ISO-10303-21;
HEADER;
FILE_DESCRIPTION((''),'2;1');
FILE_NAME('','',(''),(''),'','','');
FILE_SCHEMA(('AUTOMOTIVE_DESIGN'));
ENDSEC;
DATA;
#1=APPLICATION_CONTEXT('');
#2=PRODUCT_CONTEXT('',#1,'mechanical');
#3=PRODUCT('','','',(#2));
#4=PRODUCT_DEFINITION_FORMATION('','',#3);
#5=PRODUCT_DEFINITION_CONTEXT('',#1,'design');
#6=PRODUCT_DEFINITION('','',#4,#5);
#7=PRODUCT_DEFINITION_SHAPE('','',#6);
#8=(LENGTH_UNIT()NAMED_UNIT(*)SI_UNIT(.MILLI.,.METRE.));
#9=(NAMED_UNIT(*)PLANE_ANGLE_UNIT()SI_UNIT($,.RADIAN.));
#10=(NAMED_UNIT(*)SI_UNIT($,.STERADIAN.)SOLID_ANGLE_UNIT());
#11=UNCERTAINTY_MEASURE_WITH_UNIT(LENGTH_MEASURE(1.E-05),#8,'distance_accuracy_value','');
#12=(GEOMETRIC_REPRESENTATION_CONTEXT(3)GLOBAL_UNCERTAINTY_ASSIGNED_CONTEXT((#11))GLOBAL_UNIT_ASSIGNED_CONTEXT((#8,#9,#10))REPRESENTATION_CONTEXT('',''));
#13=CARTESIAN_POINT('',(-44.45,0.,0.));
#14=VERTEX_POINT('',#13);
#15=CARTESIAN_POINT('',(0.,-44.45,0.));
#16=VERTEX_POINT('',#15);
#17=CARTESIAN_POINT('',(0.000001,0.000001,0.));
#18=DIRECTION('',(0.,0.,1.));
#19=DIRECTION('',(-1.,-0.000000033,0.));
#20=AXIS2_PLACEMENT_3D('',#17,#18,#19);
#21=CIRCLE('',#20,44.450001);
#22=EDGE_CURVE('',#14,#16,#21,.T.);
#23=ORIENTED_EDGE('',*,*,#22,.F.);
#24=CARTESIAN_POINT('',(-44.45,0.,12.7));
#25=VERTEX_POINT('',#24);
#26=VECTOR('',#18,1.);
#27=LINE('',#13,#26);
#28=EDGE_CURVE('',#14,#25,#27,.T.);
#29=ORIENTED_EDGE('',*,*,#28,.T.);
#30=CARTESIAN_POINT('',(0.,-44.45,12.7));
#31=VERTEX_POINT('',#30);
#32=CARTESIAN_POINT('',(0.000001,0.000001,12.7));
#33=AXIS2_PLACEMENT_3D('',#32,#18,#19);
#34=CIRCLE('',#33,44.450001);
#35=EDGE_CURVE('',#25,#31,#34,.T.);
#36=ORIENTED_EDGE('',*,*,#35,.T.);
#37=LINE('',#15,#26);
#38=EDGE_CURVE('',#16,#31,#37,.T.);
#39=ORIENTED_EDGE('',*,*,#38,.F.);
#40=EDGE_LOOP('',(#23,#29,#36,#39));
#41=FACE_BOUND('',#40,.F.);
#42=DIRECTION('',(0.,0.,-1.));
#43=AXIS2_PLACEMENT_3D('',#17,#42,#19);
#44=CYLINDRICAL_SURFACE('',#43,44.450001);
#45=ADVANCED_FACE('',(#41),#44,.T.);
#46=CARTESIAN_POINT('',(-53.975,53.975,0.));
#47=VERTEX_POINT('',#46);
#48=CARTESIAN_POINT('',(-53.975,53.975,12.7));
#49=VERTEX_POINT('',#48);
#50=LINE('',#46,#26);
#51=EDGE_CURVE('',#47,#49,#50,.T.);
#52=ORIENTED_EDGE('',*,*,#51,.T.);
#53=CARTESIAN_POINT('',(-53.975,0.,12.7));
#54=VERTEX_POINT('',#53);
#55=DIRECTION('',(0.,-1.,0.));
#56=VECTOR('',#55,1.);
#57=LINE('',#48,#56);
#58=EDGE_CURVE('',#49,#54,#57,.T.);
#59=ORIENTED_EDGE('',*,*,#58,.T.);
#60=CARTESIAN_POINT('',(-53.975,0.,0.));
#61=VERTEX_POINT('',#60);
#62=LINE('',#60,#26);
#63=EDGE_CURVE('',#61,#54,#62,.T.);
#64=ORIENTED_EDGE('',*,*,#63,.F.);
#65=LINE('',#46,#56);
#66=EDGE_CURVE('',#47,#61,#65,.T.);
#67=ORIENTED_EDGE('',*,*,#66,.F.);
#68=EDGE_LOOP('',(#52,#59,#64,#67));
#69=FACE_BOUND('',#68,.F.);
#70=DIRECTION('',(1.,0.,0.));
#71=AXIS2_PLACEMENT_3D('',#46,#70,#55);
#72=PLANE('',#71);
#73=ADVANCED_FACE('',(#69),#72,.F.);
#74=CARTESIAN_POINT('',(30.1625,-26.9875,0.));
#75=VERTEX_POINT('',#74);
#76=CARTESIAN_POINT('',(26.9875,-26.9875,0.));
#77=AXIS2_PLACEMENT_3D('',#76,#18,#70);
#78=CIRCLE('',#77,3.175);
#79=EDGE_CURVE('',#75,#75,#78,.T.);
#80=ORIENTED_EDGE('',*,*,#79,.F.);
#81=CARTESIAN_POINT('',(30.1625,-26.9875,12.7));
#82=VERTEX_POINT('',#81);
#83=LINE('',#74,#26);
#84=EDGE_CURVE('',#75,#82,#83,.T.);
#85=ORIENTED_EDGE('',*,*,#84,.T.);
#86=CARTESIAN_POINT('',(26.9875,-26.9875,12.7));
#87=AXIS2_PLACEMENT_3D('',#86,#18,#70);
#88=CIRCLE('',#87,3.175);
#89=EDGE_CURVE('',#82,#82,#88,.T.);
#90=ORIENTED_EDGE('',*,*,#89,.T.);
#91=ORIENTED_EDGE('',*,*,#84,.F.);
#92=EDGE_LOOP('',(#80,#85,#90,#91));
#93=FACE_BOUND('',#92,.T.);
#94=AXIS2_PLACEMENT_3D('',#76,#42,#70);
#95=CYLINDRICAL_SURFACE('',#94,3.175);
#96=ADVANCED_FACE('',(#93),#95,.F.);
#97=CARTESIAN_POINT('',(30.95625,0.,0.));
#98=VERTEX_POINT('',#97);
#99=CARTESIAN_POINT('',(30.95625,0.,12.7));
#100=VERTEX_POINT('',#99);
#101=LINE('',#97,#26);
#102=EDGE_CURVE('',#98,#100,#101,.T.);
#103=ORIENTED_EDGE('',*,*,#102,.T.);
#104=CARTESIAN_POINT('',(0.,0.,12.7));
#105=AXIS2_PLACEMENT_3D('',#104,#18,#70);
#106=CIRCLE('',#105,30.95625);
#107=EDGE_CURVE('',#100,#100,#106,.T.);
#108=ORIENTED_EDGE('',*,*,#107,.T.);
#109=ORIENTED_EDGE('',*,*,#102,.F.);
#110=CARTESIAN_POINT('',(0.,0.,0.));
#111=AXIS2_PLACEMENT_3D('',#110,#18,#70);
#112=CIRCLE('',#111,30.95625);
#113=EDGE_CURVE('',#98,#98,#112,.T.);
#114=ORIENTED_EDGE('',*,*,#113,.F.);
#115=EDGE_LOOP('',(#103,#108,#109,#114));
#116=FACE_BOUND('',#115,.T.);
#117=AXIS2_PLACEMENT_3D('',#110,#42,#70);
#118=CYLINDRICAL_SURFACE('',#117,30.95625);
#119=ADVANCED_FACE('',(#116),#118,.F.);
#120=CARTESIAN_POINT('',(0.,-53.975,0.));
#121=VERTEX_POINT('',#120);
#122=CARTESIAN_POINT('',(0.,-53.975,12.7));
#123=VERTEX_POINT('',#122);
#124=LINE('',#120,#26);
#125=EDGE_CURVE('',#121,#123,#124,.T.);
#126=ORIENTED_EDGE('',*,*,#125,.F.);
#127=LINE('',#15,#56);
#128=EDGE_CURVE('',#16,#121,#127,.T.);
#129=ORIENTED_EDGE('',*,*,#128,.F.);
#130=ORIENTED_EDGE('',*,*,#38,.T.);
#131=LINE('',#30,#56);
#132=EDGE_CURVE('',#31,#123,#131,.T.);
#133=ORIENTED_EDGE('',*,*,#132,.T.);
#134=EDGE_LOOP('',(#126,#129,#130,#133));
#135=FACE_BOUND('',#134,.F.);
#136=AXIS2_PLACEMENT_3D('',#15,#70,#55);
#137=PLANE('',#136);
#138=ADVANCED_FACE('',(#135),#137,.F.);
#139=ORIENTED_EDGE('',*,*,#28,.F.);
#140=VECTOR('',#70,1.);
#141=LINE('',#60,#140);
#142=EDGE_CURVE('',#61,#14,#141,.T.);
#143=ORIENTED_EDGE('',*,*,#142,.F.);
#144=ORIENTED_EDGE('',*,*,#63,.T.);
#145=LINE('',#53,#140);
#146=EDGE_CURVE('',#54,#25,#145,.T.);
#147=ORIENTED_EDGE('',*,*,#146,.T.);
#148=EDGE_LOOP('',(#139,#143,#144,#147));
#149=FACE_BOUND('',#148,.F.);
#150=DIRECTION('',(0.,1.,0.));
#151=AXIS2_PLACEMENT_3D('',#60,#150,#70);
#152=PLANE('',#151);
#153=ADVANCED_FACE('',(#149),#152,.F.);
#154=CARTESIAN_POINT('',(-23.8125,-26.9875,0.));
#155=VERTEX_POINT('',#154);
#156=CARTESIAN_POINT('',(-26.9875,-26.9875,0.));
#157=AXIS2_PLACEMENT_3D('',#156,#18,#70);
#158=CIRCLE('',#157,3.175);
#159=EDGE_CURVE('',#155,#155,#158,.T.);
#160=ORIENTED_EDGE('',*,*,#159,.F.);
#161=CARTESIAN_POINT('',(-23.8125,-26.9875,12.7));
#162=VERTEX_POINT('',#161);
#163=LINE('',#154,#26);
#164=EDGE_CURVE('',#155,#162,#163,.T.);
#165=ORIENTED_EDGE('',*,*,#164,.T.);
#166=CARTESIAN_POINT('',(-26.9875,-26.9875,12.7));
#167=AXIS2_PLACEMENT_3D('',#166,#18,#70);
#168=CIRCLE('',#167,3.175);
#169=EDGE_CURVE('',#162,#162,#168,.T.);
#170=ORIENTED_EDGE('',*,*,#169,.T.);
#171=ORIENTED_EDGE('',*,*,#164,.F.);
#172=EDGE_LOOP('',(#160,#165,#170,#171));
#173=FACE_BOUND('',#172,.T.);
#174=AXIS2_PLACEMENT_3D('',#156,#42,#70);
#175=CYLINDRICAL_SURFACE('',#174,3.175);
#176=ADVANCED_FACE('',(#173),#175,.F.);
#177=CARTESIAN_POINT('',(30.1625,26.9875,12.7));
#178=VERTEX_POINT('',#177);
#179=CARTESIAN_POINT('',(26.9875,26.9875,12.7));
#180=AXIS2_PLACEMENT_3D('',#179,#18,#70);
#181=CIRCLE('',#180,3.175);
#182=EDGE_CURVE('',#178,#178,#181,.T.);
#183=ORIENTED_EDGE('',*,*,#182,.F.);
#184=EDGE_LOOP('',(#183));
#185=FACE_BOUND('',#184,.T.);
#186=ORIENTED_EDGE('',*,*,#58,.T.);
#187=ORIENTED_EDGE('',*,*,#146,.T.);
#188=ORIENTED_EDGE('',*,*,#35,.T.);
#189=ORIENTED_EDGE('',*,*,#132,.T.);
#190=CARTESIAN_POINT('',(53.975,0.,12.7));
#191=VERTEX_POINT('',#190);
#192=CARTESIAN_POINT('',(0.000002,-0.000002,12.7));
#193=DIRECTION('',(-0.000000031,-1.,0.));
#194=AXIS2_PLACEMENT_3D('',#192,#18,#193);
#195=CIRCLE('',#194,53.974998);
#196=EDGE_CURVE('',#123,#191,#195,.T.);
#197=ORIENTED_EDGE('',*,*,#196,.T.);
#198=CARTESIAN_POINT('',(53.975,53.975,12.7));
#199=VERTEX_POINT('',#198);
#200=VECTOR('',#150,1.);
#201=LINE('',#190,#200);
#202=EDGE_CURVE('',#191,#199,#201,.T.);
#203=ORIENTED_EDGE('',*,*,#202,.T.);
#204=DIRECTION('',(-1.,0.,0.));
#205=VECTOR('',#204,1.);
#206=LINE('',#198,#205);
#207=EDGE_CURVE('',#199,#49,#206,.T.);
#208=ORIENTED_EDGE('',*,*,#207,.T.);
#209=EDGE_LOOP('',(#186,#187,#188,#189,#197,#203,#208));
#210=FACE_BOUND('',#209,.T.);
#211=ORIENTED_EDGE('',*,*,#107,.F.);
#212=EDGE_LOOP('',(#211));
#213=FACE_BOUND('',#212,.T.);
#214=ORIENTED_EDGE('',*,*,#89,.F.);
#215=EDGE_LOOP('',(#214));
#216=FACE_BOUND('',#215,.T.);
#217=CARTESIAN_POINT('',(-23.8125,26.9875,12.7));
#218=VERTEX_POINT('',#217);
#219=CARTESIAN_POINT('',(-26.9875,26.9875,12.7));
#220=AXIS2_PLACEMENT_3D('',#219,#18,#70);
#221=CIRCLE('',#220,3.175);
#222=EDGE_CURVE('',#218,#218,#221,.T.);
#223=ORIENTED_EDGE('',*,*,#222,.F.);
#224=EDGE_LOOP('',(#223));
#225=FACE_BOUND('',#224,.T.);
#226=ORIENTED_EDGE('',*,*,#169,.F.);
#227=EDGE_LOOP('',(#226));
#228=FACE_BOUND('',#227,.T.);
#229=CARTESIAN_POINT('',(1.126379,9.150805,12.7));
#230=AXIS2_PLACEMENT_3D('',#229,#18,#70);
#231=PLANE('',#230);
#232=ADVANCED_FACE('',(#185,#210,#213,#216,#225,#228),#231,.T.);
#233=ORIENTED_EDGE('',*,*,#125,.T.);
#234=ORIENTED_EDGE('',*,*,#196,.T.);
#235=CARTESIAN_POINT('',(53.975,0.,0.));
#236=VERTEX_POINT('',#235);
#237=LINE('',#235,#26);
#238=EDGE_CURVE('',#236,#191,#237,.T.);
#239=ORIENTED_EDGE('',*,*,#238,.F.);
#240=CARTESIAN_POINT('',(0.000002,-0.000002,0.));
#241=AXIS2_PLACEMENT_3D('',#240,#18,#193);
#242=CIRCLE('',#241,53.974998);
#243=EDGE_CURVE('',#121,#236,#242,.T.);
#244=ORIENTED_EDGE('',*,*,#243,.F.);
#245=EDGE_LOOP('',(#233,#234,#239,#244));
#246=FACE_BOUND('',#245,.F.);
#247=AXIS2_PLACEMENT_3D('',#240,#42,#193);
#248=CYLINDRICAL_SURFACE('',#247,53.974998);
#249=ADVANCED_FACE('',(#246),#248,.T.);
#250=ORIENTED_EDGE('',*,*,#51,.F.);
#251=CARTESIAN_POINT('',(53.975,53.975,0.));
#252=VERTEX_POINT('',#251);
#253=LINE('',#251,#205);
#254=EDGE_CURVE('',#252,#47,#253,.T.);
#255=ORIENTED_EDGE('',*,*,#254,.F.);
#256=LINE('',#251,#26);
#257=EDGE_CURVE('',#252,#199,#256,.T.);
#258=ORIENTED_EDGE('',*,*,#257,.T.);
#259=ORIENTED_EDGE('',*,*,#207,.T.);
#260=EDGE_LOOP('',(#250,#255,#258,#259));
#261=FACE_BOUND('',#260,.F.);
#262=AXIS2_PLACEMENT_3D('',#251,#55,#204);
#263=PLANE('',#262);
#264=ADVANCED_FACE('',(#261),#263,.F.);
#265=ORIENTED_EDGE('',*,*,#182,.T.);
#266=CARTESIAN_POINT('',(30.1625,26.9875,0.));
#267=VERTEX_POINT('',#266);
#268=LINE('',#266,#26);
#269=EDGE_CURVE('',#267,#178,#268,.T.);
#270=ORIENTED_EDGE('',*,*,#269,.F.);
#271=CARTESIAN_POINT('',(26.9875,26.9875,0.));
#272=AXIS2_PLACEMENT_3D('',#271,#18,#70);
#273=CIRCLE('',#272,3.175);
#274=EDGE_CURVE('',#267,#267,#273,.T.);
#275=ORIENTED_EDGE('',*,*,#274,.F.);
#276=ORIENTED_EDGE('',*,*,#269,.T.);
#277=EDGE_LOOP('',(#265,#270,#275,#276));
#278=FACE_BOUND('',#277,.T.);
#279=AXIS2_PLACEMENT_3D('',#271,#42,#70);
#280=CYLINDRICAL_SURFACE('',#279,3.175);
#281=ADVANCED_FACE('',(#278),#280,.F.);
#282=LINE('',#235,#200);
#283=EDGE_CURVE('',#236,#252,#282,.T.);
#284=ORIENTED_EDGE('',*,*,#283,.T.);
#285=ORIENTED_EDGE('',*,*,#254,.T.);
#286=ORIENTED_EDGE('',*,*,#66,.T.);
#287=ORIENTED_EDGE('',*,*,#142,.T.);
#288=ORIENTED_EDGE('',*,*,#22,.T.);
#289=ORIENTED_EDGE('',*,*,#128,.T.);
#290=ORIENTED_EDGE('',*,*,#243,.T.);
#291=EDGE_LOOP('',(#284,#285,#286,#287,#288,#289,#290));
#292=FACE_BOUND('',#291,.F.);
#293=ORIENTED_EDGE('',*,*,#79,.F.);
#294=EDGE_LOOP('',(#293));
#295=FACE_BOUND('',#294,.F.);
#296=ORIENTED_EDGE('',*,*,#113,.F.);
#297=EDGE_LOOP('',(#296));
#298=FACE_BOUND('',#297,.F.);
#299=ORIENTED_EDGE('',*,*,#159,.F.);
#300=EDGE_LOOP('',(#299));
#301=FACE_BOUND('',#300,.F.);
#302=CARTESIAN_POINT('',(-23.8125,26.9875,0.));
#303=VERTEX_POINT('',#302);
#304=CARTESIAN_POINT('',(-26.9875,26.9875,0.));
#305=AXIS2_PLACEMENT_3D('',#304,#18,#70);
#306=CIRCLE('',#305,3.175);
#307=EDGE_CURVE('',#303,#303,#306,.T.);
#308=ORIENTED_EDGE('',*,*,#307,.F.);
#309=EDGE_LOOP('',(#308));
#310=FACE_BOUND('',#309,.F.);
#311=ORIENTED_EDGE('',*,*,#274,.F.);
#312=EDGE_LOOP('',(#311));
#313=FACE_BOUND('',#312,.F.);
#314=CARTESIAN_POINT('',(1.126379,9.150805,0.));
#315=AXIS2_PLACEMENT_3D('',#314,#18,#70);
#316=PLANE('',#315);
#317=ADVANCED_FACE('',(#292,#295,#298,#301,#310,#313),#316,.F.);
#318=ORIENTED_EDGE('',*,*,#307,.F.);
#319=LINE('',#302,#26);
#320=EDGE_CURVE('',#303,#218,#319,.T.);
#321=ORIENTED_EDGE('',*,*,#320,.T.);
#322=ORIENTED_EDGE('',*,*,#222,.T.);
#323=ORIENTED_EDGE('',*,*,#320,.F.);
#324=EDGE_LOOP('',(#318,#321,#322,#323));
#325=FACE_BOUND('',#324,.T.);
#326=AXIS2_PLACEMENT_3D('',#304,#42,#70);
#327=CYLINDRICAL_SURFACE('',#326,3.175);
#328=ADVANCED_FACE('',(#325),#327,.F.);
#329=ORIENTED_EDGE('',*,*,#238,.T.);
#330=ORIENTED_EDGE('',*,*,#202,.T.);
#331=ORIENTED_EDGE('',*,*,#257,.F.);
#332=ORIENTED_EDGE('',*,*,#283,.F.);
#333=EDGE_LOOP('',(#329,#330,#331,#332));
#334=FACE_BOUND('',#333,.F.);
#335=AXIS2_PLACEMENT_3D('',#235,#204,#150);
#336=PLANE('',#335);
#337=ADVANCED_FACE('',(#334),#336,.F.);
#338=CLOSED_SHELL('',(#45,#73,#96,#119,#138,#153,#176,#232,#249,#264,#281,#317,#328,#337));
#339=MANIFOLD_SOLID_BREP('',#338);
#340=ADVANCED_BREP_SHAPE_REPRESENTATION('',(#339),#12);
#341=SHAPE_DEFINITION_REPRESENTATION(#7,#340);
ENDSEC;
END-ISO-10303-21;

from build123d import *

# Parameters (mm, degrees)
F0_R     = 3.175
F0_R_2   = 30.95625
F1_DEPTH = 12.7


with BuildPart() as f1:
    # F0 (on Top) → F1 (new body)
    with BuildSketch(Plane.XY):
        with BuildLine():
            Line((-53.975, 0), (-44.45, 0))
            ThreePointArc((-44.45, 0), (-31.430896, -31.430896), (0, -44.45))
            Line((0, -44.45), (0, -53.975))
            ThreePointArc((0, -53.975), (38.166089, -38.166089), (53.975, 0))
            Line((53.975, 0), (53.975, 53.975))
            Line((53.975, 53.975), (-53.975, 53.975))
            Line((-53.975, 53.975), (-53.975, 0))
        make_face()
        with Locations((-26.9875, -26.9875)):
            Circle(F0_R, mode=Mode.SUBTRACT)
        with Locations((26.9875, -26.9875)):
            Circle(F0_R, mode=Mode.SUBTRACT)
        with Locations((-26.9875, 26.9875)):
            Circle(F0_R, mode=Mode.SUBTRACT)
        Circle(F0_R_2, mode=Mode.SUBTRACT)
        with Locations((26.9875, 26.9875)):
            Circle(F0_R, mode=Mode.SUBTRACT)
    extrude(amount=F1_DEPTH)


solid = f1.part
